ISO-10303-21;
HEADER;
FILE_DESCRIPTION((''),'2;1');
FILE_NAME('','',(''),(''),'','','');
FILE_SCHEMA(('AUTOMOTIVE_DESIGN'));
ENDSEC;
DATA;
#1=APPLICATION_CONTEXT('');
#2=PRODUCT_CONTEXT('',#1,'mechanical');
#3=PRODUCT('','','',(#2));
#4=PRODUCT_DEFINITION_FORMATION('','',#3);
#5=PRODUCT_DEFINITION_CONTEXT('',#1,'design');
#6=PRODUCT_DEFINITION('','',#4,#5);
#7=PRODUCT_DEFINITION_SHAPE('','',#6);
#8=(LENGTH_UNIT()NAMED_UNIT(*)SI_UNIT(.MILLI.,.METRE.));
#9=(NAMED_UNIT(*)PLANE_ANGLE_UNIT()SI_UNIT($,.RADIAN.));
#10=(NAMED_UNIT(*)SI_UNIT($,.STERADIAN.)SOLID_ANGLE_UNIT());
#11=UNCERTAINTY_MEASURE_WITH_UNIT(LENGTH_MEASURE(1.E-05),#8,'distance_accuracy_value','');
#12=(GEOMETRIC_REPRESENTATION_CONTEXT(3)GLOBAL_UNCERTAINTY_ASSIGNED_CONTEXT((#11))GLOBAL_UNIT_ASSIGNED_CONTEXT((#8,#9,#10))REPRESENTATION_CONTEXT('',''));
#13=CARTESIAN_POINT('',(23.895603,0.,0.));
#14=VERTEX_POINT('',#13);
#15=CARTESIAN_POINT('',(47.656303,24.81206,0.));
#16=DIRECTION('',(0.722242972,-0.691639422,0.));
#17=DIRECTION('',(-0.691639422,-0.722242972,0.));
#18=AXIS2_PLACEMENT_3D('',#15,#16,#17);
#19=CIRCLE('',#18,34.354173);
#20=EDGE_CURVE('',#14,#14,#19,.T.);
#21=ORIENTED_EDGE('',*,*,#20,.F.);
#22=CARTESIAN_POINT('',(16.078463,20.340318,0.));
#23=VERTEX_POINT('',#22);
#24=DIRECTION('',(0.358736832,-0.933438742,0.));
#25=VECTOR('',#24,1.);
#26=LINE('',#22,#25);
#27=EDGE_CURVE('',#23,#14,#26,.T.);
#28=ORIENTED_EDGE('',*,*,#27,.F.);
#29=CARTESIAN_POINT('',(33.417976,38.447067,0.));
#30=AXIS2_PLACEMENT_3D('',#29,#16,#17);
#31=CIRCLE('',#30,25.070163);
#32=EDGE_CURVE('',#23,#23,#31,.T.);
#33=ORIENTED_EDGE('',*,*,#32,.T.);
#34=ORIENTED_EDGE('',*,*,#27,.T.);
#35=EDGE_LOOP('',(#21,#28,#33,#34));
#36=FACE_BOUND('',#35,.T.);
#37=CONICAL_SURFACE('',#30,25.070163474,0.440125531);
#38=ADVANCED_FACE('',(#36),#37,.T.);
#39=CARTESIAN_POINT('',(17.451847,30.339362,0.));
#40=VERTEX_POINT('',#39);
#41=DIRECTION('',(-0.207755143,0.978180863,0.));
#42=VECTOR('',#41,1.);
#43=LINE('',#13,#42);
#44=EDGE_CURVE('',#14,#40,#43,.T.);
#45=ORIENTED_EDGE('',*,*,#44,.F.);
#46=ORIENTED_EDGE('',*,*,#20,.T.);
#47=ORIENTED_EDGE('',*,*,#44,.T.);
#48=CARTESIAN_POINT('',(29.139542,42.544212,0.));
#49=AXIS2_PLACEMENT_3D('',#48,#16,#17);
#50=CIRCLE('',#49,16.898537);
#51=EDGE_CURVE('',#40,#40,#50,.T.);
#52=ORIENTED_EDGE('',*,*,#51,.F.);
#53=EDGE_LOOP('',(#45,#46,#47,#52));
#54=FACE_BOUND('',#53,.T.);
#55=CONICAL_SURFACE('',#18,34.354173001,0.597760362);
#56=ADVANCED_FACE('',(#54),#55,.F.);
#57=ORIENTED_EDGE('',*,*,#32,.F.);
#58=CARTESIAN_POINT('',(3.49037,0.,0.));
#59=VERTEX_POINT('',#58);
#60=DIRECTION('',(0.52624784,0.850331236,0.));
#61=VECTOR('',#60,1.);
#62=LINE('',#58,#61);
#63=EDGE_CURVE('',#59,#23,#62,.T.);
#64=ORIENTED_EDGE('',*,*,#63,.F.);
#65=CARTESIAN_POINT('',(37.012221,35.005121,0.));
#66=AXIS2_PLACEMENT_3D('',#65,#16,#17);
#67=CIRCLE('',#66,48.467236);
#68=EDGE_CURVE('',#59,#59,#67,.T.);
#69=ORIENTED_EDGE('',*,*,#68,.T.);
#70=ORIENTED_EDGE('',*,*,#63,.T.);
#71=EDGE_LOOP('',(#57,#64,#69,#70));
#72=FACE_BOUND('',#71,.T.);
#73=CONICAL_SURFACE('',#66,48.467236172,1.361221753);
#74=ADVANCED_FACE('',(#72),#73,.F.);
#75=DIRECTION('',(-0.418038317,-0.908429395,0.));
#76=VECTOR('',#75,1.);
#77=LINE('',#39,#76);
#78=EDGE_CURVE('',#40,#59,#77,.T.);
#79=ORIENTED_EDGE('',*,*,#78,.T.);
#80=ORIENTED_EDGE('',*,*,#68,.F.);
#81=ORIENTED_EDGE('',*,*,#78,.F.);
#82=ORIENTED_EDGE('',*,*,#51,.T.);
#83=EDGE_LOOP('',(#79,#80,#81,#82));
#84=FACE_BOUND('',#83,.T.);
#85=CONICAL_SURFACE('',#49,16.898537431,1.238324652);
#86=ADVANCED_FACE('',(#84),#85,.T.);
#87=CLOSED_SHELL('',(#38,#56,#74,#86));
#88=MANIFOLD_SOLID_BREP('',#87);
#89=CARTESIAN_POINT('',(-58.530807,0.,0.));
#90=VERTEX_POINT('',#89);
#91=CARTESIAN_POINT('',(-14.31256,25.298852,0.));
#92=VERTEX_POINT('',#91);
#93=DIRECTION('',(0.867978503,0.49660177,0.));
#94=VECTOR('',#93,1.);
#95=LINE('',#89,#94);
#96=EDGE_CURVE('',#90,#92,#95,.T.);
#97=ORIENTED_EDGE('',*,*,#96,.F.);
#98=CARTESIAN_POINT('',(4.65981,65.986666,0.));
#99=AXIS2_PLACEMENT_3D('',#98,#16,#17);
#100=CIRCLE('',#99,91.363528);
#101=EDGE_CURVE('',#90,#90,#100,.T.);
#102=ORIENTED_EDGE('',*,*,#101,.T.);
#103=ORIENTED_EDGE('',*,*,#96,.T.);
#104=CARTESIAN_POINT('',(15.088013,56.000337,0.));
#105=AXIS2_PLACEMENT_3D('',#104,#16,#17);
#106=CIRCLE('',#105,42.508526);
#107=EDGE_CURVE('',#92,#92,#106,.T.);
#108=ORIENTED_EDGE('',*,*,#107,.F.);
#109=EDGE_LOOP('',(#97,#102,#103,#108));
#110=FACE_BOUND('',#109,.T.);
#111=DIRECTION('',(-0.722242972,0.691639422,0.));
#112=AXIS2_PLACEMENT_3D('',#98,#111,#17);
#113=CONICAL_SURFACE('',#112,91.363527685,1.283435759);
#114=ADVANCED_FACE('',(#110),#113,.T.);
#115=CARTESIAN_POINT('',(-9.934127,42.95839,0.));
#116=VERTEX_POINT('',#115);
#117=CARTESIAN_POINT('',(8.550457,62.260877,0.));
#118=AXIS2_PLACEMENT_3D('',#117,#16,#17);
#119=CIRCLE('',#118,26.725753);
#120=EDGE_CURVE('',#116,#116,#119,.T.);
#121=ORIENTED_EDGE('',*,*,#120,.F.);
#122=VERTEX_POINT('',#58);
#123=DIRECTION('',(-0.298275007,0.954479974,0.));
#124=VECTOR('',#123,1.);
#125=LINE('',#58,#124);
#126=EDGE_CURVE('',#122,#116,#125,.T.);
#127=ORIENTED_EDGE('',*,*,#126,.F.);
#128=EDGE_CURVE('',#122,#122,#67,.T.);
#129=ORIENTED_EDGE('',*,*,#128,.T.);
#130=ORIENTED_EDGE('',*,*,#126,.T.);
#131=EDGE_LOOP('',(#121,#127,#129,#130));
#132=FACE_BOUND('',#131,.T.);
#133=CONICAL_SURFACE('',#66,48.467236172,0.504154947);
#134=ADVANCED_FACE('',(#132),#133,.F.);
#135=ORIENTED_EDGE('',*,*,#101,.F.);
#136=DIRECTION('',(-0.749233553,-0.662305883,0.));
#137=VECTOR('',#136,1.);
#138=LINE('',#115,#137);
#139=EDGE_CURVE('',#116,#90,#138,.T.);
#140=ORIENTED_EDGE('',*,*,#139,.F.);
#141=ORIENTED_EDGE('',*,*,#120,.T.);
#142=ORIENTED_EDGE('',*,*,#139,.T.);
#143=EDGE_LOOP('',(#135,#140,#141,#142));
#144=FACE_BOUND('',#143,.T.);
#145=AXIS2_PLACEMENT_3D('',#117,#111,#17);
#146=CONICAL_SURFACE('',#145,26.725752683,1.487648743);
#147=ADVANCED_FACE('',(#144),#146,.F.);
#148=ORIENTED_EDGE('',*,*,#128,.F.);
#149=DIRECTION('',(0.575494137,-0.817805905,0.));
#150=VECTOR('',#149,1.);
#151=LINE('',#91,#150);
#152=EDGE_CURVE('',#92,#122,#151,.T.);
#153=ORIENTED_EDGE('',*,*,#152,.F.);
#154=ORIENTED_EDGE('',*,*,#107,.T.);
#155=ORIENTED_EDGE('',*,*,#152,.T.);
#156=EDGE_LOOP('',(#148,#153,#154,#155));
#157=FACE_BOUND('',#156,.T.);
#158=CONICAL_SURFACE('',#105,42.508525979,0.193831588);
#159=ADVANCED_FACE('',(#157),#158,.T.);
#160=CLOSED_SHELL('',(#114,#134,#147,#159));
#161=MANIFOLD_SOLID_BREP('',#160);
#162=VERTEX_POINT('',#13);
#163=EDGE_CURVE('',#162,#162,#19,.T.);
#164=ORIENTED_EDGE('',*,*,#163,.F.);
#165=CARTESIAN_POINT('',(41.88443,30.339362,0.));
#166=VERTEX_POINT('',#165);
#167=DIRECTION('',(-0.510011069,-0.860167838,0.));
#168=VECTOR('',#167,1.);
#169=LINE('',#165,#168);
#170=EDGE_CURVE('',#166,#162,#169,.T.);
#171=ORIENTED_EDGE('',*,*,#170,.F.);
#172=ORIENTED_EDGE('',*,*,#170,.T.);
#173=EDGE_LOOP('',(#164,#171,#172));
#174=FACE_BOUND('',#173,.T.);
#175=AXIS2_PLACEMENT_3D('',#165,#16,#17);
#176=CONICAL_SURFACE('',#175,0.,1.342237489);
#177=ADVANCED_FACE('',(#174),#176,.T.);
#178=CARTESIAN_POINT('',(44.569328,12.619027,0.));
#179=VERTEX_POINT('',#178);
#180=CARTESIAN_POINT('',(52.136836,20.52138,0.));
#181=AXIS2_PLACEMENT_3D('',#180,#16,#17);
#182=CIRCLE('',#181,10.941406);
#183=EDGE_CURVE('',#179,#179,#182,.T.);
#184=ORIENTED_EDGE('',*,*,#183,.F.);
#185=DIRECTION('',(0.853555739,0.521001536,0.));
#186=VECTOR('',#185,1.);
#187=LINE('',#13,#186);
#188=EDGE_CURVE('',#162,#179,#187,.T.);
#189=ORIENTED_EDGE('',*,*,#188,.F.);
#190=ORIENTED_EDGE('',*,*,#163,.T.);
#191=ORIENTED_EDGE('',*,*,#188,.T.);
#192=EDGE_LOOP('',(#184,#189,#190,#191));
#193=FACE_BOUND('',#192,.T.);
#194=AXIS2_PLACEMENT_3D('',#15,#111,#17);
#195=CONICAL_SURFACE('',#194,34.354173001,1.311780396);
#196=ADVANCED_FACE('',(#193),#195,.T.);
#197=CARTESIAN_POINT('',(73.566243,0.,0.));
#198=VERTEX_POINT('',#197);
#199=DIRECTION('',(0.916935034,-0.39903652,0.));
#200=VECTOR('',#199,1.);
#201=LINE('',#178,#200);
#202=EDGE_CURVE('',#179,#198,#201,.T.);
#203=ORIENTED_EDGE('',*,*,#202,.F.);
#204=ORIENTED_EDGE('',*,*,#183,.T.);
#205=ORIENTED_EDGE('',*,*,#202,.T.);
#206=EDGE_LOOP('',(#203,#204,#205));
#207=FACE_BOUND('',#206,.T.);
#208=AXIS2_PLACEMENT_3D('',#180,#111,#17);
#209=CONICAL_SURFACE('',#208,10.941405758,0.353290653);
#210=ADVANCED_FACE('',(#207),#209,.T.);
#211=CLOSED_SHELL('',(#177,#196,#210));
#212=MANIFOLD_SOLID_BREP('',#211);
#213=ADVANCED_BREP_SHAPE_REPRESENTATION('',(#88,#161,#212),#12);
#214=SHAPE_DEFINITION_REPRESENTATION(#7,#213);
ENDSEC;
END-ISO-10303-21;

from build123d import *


with BuildPart() as f1:
    # F0 (on Top) → F1 (revolve)
    with BuildSketch(Plane.XY):
        Polygon((41.8844297528, 30.3393620998), (23.8956026733, 0), (44.5693284273, 12.6190269366), (73.5662430525, 0), align=None)
    revolve(axis=Axis((57.7253364027, 15.1696810499, 0), (0.7222429716, -0.691639422, 0)))


with BuildPart() as f1b:
    # F0 (on Top) → F1, piece 2 (revolve)
    with BuildSketch(Plane.XY):
        Polygon((17.4518469721, 30.3393620998), (3.4903702326, 0), (16.0784628242, 20.3403178602), (23.8956026733, 0), align=None)
    revolve(axis=Axis((57.7253364027, 15.1696810499, 0), (0.7222429716, -0.691639422, 0)))


with BuildPart() as f1c:
    # F0 (on Top) → F1, piece 3 (revolve)
    with BuildSketch(Plane.XY):
        Polygon((-9.9341273308, 42.9583899677), (-58.5308074951, 0), (-14.3125597388, 25.2988524735), (3.4903702326, 0), align=None)
    revolve(axis=Axis((57.7253364027, 15.1696810499, 0), (0.7222429716, -0.691639422, 0)))


solid = Compound([f1.part, f1b.part, f1c.part])
